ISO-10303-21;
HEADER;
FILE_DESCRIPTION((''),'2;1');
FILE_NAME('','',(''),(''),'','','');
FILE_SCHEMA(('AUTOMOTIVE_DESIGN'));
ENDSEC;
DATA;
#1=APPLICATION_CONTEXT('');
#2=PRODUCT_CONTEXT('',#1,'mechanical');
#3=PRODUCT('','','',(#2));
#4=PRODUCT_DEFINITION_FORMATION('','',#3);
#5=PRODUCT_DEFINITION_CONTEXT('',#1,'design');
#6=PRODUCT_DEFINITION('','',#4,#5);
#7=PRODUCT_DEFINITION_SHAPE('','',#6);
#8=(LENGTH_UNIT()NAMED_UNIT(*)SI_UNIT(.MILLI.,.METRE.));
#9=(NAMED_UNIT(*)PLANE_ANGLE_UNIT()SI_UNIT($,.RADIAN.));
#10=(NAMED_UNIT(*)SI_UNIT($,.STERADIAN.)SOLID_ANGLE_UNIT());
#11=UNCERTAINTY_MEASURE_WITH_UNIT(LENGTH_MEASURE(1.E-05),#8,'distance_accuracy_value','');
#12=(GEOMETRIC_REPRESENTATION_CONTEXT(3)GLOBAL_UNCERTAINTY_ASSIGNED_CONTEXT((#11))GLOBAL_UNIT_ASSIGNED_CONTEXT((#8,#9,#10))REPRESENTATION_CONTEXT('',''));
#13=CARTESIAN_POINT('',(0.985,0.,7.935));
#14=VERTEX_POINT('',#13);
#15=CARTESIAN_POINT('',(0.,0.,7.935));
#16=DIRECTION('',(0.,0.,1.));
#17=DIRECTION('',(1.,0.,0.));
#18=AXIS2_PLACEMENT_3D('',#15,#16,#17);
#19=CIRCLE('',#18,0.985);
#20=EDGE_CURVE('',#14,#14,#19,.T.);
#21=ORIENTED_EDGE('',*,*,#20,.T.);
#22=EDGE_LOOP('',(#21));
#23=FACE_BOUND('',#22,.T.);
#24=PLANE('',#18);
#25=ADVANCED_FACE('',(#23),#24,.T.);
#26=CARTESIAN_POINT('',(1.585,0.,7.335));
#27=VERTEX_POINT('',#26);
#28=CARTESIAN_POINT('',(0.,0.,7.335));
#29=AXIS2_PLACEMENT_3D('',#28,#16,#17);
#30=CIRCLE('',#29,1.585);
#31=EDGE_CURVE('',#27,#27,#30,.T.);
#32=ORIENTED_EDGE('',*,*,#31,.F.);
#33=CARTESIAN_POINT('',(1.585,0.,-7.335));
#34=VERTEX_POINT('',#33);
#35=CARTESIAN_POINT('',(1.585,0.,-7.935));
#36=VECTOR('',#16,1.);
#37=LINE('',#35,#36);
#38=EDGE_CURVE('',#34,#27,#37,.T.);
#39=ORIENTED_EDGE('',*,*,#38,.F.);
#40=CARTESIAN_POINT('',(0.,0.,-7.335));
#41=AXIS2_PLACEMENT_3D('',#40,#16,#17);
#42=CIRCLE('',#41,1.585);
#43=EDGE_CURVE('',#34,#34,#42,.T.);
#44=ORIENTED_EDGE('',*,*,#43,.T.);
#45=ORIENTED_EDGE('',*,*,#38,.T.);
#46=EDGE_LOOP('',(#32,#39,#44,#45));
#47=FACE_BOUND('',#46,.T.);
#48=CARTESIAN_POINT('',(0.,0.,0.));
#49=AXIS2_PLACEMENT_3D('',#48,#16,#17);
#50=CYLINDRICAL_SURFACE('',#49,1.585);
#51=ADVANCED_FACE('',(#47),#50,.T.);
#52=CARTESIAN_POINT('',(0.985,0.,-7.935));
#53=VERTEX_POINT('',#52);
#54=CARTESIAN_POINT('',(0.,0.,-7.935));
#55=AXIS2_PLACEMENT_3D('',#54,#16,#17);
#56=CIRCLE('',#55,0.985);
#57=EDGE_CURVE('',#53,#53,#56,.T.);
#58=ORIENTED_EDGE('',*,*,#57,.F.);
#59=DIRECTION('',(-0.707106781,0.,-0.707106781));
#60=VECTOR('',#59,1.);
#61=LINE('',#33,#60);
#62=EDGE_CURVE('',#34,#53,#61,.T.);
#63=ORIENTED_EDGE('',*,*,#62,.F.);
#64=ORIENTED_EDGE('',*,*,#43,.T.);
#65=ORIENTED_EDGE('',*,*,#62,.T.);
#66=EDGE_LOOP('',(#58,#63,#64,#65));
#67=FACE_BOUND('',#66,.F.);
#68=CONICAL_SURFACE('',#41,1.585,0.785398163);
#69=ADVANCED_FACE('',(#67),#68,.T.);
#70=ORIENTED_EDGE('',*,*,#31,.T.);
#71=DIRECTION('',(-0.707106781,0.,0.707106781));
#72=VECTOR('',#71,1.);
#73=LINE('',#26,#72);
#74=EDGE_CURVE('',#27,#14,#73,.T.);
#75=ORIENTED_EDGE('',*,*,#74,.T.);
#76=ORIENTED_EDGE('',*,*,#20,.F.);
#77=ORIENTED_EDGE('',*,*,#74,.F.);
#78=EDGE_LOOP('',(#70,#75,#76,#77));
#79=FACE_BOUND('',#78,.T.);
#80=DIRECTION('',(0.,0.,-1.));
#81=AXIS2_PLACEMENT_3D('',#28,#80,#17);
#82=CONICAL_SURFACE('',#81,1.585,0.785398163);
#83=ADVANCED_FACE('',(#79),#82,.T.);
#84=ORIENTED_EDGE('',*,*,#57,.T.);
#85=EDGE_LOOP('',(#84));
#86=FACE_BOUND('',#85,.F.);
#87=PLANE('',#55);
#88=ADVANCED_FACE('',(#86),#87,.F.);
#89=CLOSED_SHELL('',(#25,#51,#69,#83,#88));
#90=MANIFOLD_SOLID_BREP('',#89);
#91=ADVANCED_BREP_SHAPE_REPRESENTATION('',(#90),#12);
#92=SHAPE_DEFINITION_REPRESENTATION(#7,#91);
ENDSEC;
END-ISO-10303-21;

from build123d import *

# Parameters (mm, degrees)
SKETCH1_R           = 1.585
BOSS_EXTRUDE1_DEPTH = 7.935
CHAMFER1_SIZE       = 0.6


with BuildPart() as part:
    # Sketch1 → Boss-Extrude1 (new body, symmetric)
    with BuildSketch(Plane.XY):
        Circle(SKETCH1_R)
    extrude(amount=BOSS_EXTRUDE1_DEPTH, both=True)

    # Chamfer1
    chamfer1_edges = [part.edges().sort_by_distance(p)[0] for p in [
        (-1.585, 0, -7.935),
        (-1.585, 0, 7.935),
    ]]
    chamfer(chamfer1_edges, length=CHAMFER1_SIZE)


solid = part.part
